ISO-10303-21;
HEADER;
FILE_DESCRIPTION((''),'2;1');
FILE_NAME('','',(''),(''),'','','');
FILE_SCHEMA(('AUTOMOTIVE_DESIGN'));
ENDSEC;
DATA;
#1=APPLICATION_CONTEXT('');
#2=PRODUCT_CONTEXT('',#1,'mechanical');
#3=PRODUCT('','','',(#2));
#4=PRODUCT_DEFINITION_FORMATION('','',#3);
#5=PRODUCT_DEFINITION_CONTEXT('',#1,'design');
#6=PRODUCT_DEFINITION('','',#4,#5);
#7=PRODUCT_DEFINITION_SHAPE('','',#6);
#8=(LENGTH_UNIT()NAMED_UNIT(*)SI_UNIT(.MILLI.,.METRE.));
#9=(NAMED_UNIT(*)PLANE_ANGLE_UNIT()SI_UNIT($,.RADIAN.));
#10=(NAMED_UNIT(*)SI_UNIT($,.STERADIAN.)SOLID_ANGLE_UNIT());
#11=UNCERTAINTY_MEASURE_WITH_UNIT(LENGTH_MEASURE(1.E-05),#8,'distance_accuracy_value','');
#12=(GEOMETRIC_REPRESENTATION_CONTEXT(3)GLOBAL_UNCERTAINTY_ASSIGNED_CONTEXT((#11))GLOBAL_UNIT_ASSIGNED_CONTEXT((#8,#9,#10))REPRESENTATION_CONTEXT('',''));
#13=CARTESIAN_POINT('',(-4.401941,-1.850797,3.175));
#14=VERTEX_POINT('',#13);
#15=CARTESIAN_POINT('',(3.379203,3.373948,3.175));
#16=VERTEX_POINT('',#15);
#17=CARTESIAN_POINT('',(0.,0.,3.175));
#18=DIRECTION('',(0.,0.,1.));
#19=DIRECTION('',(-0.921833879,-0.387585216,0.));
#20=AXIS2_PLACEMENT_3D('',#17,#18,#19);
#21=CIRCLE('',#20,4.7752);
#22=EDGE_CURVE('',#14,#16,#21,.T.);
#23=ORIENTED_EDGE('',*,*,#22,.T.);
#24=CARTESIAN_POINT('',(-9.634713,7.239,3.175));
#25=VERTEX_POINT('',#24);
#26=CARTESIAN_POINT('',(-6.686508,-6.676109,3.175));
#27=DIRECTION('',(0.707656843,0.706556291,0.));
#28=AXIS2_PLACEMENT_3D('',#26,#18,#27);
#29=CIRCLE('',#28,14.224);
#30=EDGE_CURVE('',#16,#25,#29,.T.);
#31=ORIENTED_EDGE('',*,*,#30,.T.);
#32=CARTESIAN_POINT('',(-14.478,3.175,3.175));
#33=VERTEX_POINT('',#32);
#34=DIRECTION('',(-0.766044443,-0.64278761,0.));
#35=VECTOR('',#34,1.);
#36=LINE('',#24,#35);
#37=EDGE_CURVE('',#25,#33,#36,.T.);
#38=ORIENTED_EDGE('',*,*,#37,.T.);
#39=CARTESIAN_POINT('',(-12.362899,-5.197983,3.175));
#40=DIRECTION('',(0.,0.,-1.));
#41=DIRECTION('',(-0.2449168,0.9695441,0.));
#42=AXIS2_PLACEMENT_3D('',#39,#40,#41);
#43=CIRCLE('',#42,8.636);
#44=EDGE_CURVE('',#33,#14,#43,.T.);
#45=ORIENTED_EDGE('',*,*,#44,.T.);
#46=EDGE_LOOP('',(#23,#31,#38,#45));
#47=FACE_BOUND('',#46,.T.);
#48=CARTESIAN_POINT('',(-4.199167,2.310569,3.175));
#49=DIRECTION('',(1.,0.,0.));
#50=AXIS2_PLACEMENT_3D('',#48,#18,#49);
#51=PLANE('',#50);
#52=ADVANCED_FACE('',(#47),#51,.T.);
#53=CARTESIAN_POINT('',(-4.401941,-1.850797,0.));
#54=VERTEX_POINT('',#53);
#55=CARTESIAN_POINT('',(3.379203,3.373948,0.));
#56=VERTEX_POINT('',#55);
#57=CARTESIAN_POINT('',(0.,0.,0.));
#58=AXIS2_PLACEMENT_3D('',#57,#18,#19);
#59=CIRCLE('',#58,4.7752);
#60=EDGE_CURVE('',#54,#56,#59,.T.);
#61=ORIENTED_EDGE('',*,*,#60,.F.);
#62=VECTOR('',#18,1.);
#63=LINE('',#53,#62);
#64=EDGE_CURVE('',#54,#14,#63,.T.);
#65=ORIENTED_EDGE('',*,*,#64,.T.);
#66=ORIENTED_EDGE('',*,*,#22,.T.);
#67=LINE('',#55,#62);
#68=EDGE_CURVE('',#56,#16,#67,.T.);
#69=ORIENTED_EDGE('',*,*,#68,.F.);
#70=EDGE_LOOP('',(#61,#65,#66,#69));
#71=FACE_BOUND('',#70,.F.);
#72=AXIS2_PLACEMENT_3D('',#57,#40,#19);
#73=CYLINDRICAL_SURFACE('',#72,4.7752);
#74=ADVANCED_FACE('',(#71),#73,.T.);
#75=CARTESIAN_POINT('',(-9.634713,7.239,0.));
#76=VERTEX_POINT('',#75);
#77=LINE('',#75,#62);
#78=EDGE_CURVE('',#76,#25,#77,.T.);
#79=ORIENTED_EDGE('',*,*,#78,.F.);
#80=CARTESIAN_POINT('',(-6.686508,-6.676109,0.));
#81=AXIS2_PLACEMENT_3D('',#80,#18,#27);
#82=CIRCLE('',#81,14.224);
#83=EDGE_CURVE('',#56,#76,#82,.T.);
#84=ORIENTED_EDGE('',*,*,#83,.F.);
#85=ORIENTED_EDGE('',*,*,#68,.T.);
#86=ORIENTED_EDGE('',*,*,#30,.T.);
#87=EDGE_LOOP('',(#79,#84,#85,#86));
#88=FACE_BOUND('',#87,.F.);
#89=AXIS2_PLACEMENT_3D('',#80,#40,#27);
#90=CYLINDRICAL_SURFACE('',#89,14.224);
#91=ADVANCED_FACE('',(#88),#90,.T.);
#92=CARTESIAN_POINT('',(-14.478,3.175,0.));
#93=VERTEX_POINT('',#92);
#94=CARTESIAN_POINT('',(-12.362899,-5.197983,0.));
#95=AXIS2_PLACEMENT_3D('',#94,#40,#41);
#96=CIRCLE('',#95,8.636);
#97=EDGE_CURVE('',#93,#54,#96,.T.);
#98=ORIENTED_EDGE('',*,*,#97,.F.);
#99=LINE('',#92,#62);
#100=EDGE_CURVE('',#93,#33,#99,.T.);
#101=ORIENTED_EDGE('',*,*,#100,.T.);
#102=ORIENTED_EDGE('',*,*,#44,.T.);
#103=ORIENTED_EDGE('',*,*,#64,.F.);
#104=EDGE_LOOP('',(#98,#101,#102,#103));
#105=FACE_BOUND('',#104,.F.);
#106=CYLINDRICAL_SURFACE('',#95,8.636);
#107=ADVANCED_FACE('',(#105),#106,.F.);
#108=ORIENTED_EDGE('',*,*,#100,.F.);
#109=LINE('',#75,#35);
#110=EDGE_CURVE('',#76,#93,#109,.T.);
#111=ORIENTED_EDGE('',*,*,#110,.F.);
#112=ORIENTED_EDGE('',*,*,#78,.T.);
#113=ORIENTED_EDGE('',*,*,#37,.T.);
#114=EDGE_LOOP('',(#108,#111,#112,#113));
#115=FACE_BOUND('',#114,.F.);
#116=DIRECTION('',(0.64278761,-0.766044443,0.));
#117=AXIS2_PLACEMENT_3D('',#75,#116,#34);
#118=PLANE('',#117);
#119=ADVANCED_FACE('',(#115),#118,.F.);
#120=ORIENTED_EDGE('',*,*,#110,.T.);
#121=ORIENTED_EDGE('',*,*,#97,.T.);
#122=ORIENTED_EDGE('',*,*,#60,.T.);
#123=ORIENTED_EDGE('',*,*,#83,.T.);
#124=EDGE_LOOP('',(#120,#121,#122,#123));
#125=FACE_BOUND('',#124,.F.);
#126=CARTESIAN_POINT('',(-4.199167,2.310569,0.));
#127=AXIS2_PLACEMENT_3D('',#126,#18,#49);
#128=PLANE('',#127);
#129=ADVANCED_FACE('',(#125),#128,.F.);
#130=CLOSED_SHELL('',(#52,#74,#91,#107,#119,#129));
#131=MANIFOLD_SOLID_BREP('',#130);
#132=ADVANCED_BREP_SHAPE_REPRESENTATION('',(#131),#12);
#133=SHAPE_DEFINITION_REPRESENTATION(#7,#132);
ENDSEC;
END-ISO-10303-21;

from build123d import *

# Parameters (mm, degrees)
BOSS_EXTRUDE1_DEPTH = 3.175


with BuildPart() as part:
    # Sketch1 → Boss-Extrude1 (new body)
    with BuildSketch(Plane.XY):
        with BuildLine():
            Line((-9.6347134, 7.239), (-14.478, 3.175))
            ThreePointArc((-14.478, 3.175), (-8.508269293, 2.530039511), (-4.401941139, -1.850796922))
            ThreePointArc((-4.401941139, -1.850796922), (2.661951762, -3.964410153), (3.379202957, 3.373947601))
            ThreePointArc((3.379202957, 3.373947601), (-2.636893343, 6.959241932), (-9.6347134, 7.239))
        make_face()
    extrude(amount=BOSS_EXTRUDE1_DEPTH)


solid = part.part
